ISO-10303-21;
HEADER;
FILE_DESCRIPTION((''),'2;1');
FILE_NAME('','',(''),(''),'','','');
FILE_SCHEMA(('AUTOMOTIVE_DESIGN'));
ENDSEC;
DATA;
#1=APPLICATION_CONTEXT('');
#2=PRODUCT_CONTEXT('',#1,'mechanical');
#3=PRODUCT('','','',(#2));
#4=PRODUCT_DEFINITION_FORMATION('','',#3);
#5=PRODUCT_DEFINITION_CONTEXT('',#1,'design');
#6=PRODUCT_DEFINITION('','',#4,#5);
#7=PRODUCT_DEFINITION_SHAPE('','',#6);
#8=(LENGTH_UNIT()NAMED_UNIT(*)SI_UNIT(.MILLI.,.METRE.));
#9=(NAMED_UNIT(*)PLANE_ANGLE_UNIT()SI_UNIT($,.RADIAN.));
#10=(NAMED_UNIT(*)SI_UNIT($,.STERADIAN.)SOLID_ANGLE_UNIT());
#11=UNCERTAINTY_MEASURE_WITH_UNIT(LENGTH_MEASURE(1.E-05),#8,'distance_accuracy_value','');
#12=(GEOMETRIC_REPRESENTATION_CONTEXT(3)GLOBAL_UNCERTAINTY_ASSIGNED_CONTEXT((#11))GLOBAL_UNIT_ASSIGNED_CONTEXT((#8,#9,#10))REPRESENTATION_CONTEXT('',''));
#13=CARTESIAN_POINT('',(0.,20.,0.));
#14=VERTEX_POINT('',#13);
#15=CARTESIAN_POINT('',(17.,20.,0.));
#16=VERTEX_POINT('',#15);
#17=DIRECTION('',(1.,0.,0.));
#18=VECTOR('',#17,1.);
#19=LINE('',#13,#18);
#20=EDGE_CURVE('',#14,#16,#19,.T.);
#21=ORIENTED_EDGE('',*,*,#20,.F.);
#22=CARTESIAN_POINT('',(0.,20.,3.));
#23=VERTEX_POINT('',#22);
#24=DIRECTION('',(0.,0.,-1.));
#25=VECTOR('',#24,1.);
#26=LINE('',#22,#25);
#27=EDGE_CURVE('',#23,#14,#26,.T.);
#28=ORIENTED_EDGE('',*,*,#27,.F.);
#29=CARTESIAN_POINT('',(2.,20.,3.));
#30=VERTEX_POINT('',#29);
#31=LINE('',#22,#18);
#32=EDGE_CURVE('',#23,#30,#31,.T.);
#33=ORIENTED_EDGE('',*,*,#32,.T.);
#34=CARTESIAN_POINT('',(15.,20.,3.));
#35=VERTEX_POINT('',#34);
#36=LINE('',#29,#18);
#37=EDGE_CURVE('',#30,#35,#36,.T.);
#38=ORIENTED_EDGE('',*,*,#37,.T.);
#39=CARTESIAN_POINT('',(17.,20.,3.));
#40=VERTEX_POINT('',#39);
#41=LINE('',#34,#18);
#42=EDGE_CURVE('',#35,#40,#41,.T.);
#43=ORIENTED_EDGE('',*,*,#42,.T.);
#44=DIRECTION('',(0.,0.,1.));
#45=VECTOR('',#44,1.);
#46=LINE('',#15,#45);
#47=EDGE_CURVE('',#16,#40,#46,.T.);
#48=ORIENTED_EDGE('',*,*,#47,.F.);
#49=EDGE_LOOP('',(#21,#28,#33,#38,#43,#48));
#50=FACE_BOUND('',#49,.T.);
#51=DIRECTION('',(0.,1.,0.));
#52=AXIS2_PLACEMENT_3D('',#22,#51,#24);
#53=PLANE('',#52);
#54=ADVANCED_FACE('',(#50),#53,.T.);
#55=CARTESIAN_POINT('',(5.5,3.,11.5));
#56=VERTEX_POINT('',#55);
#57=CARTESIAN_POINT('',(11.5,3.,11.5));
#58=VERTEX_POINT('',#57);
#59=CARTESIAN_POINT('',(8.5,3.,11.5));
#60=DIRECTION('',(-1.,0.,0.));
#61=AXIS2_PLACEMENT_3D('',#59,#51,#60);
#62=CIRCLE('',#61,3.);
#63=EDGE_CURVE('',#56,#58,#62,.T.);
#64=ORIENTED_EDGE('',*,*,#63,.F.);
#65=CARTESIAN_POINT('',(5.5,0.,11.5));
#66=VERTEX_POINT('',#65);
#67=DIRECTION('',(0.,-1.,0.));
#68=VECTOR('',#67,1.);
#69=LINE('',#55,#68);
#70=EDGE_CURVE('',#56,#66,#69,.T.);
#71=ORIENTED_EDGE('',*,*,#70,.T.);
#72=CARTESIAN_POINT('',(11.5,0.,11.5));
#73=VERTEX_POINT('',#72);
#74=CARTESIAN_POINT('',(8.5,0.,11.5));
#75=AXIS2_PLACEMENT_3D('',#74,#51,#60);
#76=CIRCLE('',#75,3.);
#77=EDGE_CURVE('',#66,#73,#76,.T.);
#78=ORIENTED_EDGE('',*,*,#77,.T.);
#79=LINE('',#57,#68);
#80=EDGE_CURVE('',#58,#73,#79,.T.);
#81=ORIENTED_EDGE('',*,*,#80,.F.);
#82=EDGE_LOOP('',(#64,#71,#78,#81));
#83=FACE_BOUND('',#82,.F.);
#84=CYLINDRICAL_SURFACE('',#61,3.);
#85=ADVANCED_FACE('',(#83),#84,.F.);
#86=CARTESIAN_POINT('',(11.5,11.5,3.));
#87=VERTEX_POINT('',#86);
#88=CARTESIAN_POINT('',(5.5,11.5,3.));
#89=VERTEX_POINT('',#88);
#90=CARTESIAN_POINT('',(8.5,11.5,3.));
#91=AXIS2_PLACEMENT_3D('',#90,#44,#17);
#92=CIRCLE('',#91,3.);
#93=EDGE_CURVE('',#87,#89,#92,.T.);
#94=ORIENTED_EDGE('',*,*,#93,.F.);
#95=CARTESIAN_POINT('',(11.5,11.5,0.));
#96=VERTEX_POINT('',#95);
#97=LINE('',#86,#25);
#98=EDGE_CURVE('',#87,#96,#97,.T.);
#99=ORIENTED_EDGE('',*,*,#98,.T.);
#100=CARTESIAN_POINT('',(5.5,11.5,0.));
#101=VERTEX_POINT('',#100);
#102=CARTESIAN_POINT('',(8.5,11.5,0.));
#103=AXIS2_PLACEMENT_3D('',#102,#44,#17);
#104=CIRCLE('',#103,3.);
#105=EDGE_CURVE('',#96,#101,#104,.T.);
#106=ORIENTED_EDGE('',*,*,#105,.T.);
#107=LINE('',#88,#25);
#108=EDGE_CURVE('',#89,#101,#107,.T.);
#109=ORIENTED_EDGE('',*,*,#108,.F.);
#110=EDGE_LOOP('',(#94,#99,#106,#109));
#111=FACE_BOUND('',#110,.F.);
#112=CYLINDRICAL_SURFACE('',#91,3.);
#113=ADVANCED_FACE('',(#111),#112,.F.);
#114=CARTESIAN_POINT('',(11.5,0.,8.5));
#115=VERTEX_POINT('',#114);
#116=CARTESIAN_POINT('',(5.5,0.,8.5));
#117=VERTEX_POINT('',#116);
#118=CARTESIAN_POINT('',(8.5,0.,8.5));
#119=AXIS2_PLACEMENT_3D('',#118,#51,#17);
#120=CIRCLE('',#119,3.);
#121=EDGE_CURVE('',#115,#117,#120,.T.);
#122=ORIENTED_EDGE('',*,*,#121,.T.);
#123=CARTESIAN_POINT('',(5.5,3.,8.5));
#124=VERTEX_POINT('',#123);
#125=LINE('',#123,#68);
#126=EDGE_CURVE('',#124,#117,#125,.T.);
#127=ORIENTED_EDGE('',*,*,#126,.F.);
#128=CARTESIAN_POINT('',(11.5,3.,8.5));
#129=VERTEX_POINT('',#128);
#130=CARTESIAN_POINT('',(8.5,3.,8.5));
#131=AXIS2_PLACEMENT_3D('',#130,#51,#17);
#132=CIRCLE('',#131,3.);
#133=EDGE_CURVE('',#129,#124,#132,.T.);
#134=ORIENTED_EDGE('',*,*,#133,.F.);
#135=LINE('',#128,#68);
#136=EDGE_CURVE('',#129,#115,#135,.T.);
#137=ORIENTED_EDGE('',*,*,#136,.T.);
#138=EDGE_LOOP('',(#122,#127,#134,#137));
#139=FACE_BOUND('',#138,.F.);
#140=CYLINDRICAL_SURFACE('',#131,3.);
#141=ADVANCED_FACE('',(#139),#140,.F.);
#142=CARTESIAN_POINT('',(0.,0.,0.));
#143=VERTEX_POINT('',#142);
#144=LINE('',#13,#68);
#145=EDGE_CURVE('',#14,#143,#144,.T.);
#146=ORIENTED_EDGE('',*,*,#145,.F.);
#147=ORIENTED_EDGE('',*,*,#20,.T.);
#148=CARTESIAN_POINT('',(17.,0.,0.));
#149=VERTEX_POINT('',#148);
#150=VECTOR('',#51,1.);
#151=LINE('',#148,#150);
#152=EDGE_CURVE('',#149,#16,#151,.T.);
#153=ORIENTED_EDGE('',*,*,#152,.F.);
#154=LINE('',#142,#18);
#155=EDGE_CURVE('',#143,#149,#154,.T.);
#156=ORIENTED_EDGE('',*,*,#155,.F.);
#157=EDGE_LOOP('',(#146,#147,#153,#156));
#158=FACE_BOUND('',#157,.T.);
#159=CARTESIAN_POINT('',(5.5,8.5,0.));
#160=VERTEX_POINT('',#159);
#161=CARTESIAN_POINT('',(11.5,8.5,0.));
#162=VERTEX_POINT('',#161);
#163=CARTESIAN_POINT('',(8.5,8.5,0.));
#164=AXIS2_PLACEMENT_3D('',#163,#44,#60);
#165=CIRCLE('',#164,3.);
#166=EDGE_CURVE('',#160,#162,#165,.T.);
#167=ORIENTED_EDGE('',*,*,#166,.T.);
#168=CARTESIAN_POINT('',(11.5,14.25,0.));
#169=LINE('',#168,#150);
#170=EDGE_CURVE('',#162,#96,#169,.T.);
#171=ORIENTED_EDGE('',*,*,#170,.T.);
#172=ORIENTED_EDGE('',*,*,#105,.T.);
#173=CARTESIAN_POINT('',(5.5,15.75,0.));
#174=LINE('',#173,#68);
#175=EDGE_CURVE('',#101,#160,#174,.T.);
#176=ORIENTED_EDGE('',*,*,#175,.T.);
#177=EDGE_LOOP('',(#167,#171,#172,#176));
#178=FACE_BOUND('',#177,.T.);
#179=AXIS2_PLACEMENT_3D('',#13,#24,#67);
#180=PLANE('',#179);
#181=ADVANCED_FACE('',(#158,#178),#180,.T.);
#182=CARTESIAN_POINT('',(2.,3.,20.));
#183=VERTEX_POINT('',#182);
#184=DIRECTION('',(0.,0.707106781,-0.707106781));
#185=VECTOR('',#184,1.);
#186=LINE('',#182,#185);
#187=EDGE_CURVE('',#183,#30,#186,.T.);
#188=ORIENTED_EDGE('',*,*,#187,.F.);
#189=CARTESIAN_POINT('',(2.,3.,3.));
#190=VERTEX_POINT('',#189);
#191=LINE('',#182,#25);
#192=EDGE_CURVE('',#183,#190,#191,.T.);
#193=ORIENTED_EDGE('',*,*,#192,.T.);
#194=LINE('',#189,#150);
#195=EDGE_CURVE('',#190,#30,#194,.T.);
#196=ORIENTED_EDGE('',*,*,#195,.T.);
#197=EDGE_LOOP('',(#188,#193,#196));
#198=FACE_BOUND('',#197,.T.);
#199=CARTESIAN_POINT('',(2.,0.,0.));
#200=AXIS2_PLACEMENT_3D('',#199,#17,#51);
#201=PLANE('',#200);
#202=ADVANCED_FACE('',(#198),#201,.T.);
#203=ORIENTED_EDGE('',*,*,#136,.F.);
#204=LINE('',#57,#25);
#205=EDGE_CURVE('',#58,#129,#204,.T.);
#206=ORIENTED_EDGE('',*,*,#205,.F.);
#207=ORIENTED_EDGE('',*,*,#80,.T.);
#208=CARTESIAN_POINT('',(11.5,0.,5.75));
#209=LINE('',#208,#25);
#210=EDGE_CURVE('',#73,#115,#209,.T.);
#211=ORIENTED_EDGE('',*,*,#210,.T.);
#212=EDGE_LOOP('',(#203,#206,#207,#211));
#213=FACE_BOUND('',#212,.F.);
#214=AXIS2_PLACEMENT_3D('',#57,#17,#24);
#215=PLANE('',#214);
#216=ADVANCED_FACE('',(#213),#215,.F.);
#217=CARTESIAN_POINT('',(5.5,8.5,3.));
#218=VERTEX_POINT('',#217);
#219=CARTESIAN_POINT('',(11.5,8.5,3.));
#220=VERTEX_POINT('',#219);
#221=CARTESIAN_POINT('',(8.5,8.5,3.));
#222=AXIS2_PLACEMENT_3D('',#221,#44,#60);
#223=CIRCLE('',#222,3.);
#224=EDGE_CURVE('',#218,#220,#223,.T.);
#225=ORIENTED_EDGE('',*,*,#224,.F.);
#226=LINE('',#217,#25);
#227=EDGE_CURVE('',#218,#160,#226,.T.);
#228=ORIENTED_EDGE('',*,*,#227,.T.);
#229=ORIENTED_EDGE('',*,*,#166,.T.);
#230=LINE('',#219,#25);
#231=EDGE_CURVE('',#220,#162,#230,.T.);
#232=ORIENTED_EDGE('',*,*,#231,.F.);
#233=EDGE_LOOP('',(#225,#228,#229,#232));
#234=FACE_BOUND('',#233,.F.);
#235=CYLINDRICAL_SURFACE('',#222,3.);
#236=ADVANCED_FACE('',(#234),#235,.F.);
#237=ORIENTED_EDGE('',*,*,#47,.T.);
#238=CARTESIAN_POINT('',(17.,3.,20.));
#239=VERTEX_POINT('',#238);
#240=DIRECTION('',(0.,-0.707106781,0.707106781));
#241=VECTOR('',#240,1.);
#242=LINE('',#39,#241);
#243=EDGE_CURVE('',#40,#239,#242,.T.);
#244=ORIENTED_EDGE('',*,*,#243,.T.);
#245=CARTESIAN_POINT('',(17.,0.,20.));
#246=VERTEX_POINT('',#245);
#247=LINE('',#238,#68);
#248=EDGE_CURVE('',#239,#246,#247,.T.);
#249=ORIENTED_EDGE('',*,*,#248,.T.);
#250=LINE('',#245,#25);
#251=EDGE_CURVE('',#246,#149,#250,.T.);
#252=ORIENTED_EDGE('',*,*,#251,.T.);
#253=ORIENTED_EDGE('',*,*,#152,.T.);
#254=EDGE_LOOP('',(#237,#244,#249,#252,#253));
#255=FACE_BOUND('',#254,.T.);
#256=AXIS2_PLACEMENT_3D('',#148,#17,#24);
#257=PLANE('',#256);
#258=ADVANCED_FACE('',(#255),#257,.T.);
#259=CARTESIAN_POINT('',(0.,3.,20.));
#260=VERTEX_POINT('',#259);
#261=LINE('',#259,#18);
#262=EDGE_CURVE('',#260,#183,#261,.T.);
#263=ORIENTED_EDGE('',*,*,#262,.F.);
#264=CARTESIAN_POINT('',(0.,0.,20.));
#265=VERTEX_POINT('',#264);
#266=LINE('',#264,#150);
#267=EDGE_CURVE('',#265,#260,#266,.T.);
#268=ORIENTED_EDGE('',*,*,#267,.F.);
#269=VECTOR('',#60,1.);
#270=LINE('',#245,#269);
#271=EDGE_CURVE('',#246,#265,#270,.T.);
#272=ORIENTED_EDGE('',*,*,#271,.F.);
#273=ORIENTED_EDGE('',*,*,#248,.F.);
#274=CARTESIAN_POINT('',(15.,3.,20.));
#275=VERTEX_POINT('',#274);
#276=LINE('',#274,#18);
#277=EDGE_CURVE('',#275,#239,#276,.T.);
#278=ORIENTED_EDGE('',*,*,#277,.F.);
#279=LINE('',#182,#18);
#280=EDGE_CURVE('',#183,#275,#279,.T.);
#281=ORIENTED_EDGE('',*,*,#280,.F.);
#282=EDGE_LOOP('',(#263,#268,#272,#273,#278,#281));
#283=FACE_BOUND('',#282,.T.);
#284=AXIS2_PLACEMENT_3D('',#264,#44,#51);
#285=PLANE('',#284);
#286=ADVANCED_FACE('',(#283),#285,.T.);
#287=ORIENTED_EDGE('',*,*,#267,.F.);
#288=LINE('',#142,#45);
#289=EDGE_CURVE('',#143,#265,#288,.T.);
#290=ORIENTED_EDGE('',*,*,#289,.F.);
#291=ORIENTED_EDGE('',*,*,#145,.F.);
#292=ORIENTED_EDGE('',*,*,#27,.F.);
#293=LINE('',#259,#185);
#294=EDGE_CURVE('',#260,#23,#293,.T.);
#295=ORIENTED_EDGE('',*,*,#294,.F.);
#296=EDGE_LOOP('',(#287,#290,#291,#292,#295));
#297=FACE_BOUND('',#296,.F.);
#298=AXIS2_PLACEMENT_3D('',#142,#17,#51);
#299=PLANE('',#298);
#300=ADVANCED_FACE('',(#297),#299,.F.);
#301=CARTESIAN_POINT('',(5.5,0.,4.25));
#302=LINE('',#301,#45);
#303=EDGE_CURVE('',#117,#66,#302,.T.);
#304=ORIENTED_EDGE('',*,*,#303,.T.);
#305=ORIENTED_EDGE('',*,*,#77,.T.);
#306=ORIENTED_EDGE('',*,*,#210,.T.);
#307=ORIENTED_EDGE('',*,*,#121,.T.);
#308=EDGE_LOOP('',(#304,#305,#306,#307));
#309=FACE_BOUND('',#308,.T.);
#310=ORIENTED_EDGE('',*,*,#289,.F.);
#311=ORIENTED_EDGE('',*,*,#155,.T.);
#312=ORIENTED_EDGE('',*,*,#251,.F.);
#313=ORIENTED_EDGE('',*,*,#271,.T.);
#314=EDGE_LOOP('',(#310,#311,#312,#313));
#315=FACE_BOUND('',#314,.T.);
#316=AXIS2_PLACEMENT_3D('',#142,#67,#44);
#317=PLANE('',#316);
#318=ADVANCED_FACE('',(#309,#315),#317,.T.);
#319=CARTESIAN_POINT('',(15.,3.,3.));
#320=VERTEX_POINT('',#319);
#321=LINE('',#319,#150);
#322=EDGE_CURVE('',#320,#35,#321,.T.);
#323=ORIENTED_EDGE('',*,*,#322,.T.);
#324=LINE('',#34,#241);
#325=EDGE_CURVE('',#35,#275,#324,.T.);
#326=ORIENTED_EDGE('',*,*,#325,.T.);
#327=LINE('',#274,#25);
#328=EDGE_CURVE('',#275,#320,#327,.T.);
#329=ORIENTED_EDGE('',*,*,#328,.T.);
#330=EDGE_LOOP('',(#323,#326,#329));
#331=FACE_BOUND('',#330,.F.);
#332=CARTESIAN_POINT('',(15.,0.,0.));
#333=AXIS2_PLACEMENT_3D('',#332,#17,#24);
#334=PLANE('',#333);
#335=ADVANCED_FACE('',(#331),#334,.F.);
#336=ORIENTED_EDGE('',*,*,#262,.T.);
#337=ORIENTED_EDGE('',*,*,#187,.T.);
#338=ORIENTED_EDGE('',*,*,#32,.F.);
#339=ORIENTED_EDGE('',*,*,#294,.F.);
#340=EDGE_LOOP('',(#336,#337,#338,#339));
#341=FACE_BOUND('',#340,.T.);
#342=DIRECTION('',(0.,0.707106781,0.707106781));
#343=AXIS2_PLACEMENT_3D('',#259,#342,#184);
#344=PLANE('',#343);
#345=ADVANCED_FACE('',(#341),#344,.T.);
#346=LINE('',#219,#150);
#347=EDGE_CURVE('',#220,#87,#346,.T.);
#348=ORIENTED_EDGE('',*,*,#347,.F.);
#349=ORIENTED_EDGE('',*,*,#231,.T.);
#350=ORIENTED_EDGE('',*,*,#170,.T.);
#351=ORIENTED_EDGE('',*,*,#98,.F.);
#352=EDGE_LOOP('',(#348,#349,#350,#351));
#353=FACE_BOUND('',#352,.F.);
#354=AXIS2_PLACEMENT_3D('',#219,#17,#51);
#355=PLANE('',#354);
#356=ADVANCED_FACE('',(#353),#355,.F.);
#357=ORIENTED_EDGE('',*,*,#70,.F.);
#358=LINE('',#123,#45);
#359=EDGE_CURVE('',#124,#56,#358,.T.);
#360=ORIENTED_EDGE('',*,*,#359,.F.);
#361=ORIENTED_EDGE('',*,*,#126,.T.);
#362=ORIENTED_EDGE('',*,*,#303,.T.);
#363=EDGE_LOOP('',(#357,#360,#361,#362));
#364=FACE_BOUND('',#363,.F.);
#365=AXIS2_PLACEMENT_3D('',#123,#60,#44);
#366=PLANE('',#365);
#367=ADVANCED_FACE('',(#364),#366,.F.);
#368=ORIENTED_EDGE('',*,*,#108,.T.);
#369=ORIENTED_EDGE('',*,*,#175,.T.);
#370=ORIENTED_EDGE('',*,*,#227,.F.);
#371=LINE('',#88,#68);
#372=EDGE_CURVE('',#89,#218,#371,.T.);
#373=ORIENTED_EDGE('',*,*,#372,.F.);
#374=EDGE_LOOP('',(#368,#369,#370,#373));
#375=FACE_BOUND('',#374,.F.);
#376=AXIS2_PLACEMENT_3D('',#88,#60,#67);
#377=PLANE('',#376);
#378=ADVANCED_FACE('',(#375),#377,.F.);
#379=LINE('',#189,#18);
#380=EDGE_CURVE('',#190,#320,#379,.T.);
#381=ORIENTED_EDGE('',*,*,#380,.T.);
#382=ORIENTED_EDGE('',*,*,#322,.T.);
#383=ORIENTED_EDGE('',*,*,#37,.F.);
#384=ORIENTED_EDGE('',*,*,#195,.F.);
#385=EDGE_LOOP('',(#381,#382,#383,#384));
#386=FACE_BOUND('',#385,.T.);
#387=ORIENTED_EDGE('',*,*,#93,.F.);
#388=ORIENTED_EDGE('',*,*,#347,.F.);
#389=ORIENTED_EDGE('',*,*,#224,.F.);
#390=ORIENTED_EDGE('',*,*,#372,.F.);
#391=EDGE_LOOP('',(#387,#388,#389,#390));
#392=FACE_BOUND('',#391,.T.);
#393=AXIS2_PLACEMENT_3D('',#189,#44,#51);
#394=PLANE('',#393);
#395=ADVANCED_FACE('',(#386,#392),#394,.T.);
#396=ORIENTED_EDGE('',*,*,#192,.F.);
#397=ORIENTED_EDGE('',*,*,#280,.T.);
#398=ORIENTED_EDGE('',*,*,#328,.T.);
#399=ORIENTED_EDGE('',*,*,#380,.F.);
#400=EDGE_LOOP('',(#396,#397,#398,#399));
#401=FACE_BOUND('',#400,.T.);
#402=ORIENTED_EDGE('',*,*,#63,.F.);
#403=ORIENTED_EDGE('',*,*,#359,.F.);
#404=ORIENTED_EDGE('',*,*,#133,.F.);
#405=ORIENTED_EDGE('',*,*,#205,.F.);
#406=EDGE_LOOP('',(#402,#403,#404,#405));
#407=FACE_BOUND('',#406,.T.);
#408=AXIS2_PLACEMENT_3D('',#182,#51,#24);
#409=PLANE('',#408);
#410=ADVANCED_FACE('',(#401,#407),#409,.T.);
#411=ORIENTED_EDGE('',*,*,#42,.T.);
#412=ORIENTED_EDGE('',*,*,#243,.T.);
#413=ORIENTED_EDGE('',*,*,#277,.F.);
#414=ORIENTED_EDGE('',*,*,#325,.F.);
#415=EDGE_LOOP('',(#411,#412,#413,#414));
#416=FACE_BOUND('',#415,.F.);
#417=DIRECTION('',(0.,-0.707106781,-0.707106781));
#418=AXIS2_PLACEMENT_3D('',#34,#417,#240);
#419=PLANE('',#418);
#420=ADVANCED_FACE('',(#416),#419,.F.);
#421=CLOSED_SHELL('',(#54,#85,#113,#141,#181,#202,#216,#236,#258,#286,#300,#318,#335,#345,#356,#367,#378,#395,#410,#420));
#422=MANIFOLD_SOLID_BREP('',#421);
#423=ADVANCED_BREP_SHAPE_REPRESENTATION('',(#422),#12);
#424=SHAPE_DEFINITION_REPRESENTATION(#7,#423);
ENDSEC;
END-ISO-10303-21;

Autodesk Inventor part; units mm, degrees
ref_plane "YZ Plane" through (0, 0, 0) normal (1, 0, 0) x (0, 1, 0)
ref_plane "XZ Plane" through (0, 0, 0) normal (0, 1, 0) x (-1, 0, 0)
ref_plane "XY Plane" through (0, 0, 0) normal (0, 0, 1) x (1, 0, 0)
sketch "Sketch1" plane through (0, 0, 0) normal (1, 0, 0) x (0, 1, 0)
  line L0 (0, 0) -> (0, 20)
  line L1 (0, 20) -> (3, 20)
  line L2 (3, 20) -> (20, 3)
  line L3 (20, 3) -> (20, 0)
  line L4 (20, 0) -> (0, 0)
  dimension "d0" = 20
  dimension "d1" = 3
  dimension "d2" = 20
  dimension "d3" = 3
extrude "Extrusion1" add sketch "Sketch1" along normal blind 2
sketch "Sketch2" plane through (2, 0, 0) normal (1, 0, 0) x (0, 0, -1)
  line L0 (0, 20) -> (-3, 20) projected
  line L1 (-3, 20) -> (-20, 3) projected
  line L2 (-20, 3) -> (-20, 0) projected
  line L3 (-20, 0) -> (0, 0) projected
  line L4 (0, 0) -> (0, 20) projected
  line L5 (-3, 20) -> (-20, 3) projected
  line L6 (-20, 3) -> (-3, 3)
  line L7 (-3, 3) -> (-3, 20)
extrude "Extrusion2" add sketch "Sketch2" along normal blind 13 contours L4 L3 L2 L6 L7 L0
sketch "Sketch3" plane through (15, 0, 0) normal (1, 0, 0) x (0, 0, -1)
  line L0 (-3, 3) -> (-3, 20) projected
  line L1 (-3, 20) -> (-20, 3) projected
  line L2 (-20, 3) -> (-3, 3) projected
  line L3 (-20, 0) -> (0, 0) projected
  line L4 (0, 0) -> (0, 20) projected
  line L5 (0, 20) -> (-3, 20) projected
  line L6 (-3, 20) -> (-3, 3) projected
  line L7 (-3, 3) -> (-20, 3) projected
  line L8 (-20, 3) -> (-20, 0) projected
extrude "Extrusion3" add sketch "Sketch3" along normal blind 2
sketch "Sketch4" plane through (2, 3, 3) normal (0, 0, 1) x (1, 0, 0)
  line L0 (-2, 17) -> (15, 17) construction
  line L1 (6.5, 17) -> (6.5, 0) construction
  line L2 (0, 0) -> (13, 0) construction
  line L3 (6.5, 11.5) -> (6.5, 2.5) construction
  line L4 (3.5, 8.5) -> (3.5, 5.5)
  line L5 (9.5, 5.5) -> (9.5, 8.5)
  arc A0 (9.5, 8.5) -> (3.5, 8.5) centre (6.5, 8.5) ccw
  arc A1 (3.5, 5.5) -> (9.5, 5.5) centre (6.5, 5.5) ccw
  line L6 (16.0175, -3) -> (16.0175, 17) construction
  line L7 (16.0175, 7) -> (-7.3176, 7) construction
  point P0 (-2, -3)
  point P1 (6.5, 7)
  dimension "d10" = 9
  dimension "d11" = 6
extrude "Extrusion4" cut sketch "Sketch4" against normal up to next
sketch "Sketch5" plane through (2, 3, 20) normal (0, 1, 0) x (1, 0, 0)
  line L0 (-2, 0) -> (15, 0) construction
  line L1 (6.5, 0) -> (6.5, 20) construction
  line L2 (-2, 20) -> (15, 20) construction
  line L3 (6.5, 5.5) -> (6.5, 14.5) construction
  line L4 (9.5, 8.5) -> (9.5, 11.5)
  line L5 (3.5, 11.5) -> (3.5, 8.5)
  arc A0 (3.5, 8.5) -> (9.5, 8.5) centre (6.5, 8.5) ccw
  arc A1 (9.5, 11.5) -> (3.5, 11.5) centre (6.5, 11.5) ccw
  line L6 (-4.1975, 20) -> (-4.1975, 0) construction
  line L7 (-4.1975, 10) -> (18.4942, 10) construction
  point P0 (6.5, 10)
  dimension "d14" = 9
  dimension "d15" = 6
extrude "Extrusion5" cut sketch "Sketch5" against normal up to next
properties part number "2020 Extrusion 90deg 2Hole Aluminum Bracket"
